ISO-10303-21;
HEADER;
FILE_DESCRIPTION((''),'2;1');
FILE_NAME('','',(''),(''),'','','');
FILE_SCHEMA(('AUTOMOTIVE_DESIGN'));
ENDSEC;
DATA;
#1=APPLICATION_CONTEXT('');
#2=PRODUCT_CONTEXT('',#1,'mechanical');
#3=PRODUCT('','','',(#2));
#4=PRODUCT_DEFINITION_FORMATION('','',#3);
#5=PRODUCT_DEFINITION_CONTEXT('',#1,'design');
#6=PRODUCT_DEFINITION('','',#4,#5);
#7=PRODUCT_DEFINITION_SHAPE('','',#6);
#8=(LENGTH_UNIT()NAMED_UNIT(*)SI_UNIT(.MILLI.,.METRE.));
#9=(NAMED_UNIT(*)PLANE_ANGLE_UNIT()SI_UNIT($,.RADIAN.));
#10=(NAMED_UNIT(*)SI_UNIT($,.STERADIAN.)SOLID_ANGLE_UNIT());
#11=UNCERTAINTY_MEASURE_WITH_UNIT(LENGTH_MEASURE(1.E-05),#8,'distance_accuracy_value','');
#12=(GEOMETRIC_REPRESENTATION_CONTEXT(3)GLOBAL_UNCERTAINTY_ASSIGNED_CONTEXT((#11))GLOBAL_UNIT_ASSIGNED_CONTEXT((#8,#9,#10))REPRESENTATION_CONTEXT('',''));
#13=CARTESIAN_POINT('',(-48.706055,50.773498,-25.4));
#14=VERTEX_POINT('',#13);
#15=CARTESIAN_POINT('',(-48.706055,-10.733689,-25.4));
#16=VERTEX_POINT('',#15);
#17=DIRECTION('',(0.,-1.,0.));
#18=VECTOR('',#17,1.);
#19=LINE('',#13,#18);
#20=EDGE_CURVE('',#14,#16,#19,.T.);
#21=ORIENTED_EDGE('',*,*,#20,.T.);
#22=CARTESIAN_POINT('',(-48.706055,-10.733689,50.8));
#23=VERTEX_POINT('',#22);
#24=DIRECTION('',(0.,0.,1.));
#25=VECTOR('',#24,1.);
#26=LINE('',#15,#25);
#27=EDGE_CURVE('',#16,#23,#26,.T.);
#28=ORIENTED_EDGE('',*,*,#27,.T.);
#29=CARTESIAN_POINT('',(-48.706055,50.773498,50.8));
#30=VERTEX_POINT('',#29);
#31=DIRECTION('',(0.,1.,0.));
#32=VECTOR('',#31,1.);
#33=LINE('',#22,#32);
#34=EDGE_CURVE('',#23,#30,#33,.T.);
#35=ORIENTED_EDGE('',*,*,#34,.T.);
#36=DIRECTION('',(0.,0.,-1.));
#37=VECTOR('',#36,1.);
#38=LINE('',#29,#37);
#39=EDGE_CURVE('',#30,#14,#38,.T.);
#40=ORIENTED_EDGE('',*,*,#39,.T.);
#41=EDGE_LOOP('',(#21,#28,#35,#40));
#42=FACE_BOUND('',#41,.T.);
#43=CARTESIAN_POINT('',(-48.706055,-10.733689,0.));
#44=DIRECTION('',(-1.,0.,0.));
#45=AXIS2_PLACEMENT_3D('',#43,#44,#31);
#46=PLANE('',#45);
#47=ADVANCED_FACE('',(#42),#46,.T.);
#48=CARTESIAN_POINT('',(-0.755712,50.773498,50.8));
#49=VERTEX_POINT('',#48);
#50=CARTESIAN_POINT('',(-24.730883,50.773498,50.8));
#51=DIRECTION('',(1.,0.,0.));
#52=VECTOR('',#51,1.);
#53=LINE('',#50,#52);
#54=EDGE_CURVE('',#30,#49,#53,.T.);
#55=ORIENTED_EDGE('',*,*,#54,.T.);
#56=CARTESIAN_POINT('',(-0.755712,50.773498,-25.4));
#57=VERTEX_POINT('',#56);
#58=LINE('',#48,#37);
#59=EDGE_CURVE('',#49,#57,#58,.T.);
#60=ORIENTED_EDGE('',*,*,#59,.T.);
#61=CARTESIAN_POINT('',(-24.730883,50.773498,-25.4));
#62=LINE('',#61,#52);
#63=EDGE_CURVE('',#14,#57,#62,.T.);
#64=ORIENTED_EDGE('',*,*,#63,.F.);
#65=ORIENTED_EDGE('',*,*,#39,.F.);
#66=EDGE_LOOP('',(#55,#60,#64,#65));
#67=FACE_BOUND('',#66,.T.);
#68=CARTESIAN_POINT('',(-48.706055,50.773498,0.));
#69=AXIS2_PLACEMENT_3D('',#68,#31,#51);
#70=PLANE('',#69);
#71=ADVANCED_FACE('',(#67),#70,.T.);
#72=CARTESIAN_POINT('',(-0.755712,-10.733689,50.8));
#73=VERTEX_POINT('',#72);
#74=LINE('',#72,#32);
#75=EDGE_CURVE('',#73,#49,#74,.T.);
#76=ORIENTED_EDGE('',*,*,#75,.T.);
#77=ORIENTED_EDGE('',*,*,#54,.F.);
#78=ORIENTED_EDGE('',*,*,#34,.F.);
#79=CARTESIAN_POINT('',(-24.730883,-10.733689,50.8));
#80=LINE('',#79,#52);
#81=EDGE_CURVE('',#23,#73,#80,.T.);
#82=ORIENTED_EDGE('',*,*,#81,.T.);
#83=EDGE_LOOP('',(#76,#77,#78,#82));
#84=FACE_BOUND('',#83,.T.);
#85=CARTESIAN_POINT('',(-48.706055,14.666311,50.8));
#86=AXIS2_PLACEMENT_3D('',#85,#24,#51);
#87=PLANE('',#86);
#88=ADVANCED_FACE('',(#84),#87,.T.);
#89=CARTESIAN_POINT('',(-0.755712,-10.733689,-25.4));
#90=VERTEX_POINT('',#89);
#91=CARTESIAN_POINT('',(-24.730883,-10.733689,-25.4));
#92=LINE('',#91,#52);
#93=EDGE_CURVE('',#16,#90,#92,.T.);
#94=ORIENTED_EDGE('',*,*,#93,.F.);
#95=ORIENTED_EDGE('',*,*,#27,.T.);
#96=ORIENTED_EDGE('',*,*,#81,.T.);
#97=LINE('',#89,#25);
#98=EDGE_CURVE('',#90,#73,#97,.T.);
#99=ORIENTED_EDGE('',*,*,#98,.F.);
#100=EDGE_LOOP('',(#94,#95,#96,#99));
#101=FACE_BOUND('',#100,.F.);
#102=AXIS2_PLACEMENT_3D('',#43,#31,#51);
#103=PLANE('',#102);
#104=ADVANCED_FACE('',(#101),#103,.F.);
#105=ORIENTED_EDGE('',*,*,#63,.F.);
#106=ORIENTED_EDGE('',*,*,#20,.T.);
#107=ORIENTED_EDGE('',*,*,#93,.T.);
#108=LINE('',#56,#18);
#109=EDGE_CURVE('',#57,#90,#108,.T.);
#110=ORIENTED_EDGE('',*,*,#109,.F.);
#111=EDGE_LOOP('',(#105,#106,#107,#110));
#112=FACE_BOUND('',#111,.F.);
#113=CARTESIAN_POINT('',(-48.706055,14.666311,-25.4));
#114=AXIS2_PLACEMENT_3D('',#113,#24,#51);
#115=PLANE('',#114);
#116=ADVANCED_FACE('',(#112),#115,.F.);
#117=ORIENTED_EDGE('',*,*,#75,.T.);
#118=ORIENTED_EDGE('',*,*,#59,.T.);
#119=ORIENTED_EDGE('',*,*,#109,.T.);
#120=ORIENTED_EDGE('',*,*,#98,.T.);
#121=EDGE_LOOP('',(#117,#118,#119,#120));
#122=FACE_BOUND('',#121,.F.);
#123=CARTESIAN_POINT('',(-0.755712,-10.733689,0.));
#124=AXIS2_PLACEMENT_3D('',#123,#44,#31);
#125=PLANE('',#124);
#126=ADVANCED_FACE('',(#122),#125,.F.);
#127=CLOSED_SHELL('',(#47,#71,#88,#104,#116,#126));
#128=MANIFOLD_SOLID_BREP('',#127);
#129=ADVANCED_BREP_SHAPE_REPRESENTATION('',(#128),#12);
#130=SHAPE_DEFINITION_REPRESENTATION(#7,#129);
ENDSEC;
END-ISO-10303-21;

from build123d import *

# Parameters (mm, degrees)
F0_W     = 47.950342414
F0_H     = 36.107186228
F1_DEPTH = 25.4
F2_DEPTH = 25.4
F4_DEPTH = 50.8


with BuildPart() as f1:
    # F0 (on Top) → F1 (new body)
    with BuildSketch(Plane.XY):
        with Locations((-24.7308834805, 32.7199045569)):
            Rectangle(F0_W, F0_H)
    extrude(amount=-F1_DEPTH)

    # F2 (add): a face of the model
    f2_faces = [f1.faces().sort_by_distance(p)[0] for p in [
        (-24.7308834805, 14.6663114429, -12.7),
    ]]
    extrude(f2_faces, amount=F2_DEPTH)

    # F4 (add): a face of the model
    f4_faces = [f1.faces().sort_by_distance(p)[0] for p in [
        (-24.7308834805, 20.0199045569, 0),
    ]]
    extrude(f4_faces, amount=F4_DEPTH)


solid = f1.part
